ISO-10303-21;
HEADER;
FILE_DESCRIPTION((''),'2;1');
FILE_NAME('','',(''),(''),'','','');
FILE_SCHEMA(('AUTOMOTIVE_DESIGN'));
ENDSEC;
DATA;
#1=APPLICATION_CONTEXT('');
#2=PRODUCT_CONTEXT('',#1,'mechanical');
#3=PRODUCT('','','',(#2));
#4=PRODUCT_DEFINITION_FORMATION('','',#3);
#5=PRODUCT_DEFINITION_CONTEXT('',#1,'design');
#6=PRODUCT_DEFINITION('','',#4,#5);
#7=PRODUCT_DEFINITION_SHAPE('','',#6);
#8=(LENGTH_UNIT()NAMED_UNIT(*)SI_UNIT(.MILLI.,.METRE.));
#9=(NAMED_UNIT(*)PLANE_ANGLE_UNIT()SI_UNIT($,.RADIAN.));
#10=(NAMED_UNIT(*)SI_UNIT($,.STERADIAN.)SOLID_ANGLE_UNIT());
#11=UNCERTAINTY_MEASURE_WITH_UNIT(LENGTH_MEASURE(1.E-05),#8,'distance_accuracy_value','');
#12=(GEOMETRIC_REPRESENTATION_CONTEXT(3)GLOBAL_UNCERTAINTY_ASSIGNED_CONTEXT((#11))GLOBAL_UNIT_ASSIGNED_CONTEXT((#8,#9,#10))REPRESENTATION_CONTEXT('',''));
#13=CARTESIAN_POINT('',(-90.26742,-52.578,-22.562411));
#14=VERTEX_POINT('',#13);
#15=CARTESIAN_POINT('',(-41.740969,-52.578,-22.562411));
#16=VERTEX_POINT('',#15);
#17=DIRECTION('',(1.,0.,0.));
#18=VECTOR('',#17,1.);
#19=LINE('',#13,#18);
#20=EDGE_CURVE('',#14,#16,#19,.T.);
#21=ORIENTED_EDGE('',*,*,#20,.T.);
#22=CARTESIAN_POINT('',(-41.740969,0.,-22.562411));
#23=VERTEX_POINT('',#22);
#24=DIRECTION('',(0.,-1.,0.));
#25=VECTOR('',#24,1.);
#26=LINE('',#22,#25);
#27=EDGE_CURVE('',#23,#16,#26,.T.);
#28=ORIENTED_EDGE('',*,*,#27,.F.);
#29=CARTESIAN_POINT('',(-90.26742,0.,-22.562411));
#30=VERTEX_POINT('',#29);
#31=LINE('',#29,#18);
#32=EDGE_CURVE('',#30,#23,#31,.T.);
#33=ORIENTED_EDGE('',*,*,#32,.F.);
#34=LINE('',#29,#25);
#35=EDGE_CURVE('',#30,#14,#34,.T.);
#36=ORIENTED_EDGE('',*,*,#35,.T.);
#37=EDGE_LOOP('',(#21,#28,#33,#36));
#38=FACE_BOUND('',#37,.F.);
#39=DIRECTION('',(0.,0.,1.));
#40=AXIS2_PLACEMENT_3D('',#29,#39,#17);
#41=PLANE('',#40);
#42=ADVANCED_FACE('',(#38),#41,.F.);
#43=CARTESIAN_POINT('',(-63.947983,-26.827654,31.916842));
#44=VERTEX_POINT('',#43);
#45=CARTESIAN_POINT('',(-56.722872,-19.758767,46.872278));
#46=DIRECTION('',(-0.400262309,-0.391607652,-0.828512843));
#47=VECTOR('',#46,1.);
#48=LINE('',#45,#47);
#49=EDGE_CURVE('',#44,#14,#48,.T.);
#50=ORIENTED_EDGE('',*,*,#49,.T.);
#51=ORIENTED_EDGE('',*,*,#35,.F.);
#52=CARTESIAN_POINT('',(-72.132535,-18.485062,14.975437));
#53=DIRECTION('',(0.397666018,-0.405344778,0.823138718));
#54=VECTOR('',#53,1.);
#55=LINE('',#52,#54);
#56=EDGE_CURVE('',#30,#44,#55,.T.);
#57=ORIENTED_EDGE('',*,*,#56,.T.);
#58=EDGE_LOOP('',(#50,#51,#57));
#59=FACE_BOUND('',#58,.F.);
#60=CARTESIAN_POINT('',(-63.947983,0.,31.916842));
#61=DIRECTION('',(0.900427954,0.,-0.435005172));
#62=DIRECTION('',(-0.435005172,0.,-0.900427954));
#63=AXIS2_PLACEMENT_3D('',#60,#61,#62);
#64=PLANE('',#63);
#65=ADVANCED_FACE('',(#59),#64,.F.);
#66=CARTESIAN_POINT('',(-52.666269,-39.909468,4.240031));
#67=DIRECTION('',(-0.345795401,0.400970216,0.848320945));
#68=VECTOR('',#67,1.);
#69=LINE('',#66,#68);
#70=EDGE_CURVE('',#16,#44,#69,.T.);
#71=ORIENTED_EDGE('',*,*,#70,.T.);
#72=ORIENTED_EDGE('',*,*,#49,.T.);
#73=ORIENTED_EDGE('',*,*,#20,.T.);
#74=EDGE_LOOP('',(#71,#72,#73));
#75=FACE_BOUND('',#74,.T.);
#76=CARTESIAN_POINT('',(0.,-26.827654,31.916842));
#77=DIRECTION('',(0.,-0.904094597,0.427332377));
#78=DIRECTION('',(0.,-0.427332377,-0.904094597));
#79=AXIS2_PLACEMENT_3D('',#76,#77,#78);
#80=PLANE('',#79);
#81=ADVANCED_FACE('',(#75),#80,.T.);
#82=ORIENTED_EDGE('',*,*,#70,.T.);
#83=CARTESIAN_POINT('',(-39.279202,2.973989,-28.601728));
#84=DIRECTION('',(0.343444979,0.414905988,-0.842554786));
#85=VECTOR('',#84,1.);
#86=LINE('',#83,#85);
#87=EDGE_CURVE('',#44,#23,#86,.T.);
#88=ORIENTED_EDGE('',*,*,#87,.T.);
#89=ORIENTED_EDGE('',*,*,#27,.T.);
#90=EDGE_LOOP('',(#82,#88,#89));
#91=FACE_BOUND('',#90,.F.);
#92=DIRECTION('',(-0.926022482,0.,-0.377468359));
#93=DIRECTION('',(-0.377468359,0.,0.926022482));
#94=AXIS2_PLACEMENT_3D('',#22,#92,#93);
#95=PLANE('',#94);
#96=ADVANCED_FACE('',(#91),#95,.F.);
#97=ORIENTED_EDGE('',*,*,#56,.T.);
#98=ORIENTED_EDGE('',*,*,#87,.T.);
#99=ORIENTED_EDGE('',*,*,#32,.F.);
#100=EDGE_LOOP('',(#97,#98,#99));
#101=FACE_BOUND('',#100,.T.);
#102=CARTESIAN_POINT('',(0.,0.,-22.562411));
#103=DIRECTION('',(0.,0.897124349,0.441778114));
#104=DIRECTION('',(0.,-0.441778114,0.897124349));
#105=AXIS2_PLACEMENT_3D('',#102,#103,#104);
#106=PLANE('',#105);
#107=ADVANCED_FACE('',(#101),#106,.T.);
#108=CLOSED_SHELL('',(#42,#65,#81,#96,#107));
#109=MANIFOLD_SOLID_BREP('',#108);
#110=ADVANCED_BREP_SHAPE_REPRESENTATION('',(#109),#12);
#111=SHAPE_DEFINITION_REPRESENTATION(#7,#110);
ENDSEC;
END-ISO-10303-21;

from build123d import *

# Parameters (mm, degrees)
F1_DEPTH = 52.578
F3_DEPTH = 119.634


with BuildPart() as f1:
    # F0 (on Front) → F1 (new body)
    with BuildSketch(Plane.XZ):
        Polygon((-63.947983, 31.916842), (-90.26742, -22.562411), (-41.740969, -22.562411), align=None)
    extrude(amount=F1_DEPTH)

    # F2 (on Right) → F3 (intersect)
    with BuildSketch(Plane.YZ):
        Polygon((-26.827654, 31.916842), (-52.578, -22.562411), (0, -22.562411), align=None)
    extrude(amount=-F3_DEPTH, mode=Mode.INTERSECT)


solid = f1.part
